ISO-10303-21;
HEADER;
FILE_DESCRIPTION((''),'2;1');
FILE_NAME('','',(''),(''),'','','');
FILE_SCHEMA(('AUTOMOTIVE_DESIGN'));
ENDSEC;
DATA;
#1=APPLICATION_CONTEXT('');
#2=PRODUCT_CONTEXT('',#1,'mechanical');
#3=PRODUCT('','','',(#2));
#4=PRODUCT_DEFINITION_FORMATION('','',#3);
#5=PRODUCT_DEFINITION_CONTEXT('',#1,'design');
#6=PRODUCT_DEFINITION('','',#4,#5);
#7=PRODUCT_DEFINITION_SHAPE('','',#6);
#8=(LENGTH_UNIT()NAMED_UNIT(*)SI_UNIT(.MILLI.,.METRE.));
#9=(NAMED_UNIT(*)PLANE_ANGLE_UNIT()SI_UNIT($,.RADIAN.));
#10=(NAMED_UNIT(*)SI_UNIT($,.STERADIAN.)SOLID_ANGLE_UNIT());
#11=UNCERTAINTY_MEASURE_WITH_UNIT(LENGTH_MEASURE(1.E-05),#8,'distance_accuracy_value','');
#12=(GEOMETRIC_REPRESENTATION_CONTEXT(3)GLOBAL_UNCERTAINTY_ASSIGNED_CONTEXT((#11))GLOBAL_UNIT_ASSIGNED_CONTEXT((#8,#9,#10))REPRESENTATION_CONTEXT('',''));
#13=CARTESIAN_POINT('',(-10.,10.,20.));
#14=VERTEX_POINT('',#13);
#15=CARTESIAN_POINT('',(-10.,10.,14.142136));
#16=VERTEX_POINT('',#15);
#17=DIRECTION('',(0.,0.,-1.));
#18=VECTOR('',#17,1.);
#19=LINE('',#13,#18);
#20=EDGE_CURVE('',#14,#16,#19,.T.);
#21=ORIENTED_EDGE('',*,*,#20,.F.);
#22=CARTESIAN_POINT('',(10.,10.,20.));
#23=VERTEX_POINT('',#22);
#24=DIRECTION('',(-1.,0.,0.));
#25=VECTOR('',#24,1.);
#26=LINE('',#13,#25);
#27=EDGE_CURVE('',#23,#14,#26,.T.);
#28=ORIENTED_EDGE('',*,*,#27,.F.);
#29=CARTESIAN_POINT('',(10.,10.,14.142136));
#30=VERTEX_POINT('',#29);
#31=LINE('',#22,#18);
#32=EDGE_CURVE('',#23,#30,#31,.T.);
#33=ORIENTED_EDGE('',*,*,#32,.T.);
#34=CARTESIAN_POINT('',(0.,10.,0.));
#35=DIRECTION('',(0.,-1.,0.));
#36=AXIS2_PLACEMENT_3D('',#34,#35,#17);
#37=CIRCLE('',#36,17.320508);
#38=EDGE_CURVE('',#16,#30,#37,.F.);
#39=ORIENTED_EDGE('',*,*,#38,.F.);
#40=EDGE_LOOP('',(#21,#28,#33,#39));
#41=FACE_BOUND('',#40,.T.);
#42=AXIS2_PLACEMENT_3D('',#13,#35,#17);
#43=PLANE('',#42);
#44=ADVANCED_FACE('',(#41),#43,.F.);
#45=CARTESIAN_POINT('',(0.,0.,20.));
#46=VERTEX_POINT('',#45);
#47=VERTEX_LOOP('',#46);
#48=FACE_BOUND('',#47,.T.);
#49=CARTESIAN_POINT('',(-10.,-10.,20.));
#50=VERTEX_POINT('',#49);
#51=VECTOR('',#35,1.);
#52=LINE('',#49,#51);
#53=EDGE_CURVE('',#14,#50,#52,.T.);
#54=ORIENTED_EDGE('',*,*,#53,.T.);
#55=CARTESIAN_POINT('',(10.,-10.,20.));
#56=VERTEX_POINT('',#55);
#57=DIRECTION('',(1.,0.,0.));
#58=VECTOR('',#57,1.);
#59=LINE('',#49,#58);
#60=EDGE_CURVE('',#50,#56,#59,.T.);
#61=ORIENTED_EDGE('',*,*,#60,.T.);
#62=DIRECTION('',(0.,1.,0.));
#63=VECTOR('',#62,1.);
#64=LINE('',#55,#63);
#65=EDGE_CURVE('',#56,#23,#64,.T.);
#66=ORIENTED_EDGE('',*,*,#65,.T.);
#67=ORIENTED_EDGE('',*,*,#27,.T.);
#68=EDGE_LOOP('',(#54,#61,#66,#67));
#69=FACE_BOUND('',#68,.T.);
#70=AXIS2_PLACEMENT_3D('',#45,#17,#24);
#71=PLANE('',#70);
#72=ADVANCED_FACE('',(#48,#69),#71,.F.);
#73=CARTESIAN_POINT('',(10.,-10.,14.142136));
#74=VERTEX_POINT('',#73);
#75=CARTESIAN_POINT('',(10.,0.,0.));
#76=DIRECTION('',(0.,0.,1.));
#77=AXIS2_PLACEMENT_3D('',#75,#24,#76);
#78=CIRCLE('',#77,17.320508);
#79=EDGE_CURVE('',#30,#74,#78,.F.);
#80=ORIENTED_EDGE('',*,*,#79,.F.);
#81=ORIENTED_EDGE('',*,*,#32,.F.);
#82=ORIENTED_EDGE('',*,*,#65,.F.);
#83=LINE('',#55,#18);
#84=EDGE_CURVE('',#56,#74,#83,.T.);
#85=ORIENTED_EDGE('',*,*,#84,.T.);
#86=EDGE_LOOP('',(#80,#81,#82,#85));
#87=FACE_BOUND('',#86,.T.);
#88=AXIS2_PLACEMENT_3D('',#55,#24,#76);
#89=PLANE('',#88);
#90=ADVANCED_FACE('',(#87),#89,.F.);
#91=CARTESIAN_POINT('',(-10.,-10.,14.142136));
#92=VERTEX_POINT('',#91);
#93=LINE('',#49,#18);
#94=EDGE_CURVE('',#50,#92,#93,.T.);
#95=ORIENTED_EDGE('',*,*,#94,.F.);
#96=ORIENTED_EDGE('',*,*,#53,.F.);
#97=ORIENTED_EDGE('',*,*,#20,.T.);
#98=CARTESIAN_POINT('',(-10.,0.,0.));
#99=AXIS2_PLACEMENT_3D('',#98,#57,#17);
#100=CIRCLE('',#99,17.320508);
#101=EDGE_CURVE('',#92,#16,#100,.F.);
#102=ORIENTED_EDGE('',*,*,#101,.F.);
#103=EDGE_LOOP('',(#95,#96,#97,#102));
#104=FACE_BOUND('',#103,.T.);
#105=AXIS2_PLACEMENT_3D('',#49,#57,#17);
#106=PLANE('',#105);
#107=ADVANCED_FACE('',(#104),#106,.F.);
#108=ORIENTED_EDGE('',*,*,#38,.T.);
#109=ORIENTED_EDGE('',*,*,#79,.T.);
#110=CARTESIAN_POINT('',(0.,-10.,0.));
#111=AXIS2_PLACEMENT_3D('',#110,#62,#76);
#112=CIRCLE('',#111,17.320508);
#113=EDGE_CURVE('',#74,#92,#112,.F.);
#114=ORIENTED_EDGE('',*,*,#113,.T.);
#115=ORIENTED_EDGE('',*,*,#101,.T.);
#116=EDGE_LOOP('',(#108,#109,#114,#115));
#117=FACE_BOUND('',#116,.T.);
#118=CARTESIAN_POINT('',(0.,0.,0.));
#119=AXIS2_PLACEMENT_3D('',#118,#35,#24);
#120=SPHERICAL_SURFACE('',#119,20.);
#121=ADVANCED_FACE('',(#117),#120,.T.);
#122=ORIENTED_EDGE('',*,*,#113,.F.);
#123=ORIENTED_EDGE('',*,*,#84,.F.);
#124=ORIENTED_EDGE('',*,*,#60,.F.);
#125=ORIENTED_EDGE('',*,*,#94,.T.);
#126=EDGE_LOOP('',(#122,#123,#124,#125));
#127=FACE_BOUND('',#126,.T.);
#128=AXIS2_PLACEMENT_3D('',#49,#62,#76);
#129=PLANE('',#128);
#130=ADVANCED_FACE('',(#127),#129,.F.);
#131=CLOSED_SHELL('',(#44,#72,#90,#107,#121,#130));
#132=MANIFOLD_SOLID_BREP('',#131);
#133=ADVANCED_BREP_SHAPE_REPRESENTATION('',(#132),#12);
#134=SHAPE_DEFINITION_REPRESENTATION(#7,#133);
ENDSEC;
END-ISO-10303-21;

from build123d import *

# Parameters (mm, degrees)
CROQUIS6_W              = 20
CROQUIS6_H              = 20
SALIENTE_EXTRUIR2_DEPTH = 20


with BuildPart() as part:
    # Croquis1 → Revolución1 (revolve)
    with BuildSketch(Plane.XY):
        with BuildLine():
            Line((0, -20), (0, 20))
            ThreePointArc((0, 20), (20, 0), (0, -20))
        make_face()
    revolve(axis=Axis((0, -20, 0), (0, 1, 0)))

    # Croquis6 → Saliente-Extruir2 (add)
    with BuildSketch(Plane.XY):
        Rectangle(CROQUIS6_W, CROQUIS6_H)
    extrude(amount=SALIENTE_EXTRUIR2_DEPTH)


solid = part.part
